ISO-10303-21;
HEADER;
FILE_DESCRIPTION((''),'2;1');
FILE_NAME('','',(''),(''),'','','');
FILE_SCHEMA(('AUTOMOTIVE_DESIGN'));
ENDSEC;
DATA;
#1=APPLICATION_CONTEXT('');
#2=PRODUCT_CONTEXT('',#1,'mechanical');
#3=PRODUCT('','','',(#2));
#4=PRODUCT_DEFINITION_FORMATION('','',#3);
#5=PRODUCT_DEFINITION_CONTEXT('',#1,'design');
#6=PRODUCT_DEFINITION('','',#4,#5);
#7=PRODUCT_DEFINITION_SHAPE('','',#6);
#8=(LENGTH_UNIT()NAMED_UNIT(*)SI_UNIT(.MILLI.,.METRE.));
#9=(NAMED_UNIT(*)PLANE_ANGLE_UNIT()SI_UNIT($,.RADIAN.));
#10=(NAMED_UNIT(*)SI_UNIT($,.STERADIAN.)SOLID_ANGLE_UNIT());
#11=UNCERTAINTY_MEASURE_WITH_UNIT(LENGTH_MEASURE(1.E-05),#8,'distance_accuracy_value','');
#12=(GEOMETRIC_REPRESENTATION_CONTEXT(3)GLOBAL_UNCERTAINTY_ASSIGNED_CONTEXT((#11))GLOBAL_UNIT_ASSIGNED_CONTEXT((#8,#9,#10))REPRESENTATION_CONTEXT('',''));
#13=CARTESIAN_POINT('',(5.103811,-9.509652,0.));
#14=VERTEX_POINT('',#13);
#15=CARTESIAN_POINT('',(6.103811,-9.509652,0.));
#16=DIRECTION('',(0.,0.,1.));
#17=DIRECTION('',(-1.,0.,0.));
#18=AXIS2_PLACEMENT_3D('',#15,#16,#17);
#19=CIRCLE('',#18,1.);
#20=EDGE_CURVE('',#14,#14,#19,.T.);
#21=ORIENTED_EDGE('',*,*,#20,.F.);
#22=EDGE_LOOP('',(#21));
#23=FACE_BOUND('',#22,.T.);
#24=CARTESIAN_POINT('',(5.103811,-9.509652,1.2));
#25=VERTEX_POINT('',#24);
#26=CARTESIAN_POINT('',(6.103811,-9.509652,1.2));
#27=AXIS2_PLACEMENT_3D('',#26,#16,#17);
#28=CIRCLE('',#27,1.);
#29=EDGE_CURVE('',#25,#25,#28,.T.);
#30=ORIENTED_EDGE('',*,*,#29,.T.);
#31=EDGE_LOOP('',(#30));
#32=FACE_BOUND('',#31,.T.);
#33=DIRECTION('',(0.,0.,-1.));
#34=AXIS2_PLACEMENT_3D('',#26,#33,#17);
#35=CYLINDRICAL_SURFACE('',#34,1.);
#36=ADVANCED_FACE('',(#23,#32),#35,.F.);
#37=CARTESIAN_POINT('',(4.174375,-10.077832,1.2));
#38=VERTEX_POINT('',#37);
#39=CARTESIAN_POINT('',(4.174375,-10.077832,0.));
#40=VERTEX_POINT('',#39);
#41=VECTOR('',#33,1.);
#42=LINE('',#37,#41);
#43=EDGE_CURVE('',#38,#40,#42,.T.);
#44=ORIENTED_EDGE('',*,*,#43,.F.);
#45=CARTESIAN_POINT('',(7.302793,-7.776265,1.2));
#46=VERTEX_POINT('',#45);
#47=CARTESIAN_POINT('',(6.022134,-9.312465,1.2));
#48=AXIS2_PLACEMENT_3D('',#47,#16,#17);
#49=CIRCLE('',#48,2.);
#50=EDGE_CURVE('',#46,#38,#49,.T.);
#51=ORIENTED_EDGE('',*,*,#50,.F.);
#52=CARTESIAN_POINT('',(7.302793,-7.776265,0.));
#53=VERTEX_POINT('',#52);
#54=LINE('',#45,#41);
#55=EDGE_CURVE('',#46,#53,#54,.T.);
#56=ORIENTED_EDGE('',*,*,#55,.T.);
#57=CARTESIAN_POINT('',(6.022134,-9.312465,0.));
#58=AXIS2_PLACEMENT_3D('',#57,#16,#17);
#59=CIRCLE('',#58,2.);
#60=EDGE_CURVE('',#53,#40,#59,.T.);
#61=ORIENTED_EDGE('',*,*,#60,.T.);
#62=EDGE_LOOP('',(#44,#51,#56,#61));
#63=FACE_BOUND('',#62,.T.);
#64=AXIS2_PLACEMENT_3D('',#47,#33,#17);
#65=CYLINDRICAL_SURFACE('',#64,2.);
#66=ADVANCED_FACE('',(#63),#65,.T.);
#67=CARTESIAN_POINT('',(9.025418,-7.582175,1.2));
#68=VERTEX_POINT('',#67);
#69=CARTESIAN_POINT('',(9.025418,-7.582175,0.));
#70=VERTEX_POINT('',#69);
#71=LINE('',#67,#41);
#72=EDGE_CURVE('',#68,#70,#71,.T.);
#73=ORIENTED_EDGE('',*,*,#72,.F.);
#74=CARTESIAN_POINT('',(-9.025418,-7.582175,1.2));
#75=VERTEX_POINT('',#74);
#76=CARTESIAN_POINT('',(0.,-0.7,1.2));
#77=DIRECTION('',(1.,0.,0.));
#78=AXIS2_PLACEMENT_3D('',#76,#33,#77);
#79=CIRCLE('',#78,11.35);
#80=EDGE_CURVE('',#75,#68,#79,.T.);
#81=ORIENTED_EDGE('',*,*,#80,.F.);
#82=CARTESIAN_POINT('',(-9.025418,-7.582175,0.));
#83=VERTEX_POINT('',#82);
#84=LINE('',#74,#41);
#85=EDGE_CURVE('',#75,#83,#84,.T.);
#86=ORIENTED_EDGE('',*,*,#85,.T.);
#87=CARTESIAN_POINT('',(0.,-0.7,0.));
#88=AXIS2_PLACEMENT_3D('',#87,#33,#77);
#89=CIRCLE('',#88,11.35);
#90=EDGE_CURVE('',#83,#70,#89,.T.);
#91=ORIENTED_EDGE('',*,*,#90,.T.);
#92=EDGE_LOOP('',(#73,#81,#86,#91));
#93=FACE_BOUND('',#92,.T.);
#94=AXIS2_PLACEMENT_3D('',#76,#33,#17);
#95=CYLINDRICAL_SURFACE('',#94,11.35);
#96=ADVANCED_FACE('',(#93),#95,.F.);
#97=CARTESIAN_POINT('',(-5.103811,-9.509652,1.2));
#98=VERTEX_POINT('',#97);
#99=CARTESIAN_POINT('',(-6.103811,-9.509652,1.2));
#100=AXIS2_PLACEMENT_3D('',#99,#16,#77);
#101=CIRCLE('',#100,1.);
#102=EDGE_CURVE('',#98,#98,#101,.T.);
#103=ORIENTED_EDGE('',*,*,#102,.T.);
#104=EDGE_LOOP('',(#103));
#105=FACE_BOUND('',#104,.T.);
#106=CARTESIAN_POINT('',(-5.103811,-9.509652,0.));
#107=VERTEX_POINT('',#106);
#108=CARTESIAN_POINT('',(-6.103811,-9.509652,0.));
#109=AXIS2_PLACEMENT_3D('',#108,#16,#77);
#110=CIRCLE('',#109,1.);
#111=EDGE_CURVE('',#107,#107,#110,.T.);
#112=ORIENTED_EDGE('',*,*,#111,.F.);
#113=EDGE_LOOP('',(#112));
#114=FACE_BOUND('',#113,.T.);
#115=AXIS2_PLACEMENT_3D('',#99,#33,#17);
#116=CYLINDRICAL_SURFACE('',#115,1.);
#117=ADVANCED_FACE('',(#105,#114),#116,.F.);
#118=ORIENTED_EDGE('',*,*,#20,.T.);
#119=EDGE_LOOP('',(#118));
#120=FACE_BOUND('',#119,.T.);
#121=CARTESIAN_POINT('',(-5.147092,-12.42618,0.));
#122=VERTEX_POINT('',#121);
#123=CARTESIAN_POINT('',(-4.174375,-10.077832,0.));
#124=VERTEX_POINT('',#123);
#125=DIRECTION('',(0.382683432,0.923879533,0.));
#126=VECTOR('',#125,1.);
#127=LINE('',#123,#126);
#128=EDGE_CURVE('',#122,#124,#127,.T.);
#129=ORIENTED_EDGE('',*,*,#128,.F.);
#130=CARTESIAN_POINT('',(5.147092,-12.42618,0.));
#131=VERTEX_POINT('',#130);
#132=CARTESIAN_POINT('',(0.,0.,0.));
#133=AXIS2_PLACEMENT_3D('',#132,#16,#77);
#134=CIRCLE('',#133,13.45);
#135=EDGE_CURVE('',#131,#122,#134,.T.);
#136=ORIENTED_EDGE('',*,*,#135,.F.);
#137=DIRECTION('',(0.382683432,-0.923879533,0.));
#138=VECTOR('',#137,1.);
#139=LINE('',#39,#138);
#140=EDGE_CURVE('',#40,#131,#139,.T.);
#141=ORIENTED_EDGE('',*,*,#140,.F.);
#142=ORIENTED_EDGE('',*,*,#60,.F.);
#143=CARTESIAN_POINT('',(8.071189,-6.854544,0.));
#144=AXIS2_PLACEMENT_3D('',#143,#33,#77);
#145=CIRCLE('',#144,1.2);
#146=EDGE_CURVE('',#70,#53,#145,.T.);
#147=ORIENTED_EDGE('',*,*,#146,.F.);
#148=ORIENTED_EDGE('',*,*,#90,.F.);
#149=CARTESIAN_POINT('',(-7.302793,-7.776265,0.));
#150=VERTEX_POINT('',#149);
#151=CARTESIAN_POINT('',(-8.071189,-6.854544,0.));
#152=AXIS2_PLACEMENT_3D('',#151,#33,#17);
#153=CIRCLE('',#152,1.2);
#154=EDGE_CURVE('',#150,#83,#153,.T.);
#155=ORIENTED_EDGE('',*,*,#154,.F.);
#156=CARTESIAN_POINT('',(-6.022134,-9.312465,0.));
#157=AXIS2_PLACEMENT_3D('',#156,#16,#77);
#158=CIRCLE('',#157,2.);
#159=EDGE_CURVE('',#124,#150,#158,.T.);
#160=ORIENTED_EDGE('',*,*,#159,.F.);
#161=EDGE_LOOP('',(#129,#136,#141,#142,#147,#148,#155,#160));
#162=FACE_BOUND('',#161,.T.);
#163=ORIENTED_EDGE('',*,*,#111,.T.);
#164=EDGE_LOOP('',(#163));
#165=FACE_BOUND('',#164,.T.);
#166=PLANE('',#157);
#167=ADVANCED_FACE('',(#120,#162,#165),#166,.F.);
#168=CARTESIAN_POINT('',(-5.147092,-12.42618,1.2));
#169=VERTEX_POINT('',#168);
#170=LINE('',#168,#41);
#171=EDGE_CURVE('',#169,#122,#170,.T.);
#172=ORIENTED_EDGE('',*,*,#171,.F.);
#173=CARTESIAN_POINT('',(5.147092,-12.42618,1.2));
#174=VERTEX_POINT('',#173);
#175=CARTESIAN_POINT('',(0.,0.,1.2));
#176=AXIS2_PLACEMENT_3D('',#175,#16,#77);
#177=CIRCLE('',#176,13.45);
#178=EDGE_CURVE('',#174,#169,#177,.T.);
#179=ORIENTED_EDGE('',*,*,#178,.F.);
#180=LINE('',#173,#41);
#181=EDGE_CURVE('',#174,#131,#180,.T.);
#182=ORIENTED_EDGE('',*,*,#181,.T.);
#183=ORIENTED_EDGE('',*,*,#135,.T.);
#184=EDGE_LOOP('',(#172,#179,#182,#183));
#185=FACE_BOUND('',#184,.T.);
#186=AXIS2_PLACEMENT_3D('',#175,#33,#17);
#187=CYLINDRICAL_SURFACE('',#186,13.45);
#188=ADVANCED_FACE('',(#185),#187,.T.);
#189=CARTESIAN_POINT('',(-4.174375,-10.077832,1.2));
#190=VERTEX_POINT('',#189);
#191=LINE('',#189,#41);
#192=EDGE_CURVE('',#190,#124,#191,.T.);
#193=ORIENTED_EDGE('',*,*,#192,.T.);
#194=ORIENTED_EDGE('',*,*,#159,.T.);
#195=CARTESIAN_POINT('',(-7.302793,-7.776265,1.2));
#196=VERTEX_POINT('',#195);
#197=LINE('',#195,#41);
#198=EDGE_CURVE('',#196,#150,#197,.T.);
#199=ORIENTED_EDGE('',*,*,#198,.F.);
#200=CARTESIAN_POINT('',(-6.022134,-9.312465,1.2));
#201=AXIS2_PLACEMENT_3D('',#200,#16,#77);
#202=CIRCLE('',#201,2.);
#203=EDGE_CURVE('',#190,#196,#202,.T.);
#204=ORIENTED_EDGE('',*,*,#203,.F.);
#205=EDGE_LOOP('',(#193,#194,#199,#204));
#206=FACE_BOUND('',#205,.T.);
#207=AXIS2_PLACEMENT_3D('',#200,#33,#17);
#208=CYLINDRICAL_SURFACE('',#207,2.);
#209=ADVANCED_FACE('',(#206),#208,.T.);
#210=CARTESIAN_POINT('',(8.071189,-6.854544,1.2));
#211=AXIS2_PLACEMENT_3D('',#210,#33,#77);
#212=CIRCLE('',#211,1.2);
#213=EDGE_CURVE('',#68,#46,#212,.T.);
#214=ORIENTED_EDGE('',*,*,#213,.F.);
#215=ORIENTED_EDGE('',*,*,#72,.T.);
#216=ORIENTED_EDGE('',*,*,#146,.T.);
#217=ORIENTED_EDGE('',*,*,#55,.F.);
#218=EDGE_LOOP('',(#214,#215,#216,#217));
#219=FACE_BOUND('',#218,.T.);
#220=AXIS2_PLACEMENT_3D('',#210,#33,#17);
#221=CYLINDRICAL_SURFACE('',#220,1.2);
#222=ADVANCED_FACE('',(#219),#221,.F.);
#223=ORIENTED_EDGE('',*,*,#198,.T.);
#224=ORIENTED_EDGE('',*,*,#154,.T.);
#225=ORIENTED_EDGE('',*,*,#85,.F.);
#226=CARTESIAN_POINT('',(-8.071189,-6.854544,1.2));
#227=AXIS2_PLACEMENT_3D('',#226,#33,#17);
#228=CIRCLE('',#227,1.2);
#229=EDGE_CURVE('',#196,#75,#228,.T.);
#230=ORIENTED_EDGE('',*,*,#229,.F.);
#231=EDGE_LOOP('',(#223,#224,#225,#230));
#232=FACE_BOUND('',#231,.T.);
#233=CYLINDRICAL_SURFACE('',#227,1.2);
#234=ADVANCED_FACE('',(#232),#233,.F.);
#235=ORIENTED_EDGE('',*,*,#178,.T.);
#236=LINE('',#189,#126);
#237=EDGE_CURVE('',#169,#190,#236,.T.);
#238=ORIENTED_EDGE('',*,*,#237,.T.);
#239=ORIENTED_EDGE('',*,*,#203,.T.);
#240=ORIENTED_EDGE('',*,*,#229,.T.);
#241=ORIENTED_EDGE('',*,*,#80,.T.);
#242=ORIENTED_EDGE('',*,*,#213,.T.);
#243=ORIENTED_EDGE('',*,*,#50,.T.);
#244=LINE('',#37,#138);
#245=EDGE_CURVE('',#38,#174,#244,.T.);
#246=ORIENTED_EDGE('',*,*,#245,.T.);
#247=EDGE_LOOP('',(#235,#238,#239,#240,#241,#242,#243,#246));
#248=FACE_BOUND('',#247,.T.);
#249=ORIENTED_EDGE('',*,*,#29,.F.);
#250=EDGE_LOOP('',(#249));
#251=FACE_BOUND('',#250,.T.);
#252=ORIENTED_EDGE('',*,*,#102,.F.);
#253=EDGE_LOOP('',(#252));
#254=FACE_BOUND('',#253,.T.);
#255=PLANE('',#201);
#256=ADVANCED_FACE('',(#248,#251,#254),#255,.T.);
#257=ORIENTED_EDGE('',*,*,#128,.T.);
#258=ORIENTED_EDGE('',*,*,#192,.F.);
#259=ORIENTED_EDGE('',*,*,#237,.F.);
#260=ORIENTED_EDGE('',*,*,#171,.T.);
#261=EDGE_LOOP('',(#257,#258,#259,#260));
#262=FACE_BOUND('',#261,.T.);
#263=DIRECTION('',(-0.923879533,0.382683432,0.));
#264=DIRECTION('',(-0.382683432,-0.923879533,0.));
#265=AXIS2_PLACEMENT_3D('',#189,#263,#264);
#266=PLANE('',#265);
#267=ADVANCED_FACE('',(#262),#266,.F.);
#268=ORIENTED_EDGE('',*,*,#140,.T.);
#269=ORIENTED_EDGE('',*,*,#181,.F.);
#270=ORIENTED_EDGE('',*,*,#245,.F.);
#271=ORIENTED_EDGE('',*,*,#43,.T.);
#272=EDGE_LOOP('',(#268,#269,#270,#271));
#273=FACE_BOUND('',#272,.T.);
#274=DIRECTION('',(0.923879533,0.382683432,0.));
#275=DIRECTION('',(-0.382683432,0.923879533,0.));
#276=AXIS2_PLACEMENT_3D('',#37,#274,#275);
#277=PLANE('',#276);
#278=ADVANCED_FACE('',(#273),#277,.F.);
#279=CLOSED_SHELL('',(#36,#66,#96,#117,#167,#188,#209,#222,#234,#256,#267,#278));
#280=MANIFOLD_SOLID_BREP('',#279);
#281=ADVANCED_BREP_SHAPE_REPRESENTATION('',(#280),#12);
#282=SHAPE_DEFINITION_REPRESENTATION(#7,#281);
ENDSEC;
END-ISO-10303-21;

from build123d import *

# Parameters (mm, degrees)
SKETCH_1_R        = 1
EXTRUDE_886_DEPTH = 1.2


with BuildPart() as part:
    # 草图1 → Extrude 886 (new body)
    with BuildSketch(Plane.XY):
        with BuildLine():
            Line((-4.17437466, -10.077831919), (-5.147092165, -12.426179712))
            ThreePointArc((-5.147092165, -12.426179712), (0, 13.45), (5.147092165, -12.426179712))
            Line((5.147092165, -12.426179712), (4.17437466, -10.077831919))
            ThreePointArc((4.17437466, -10.077831919), (4.836931805, -7.701472688), (7.302792981, -7.776264589))
            ThreePointArc((7.302792981, -7.776264589), (8.205543329, -8.046999251), (9.02541772, -7.582175163))
            ThreePointArc((9.02541772, -7.582175163), (0, 10.65), (-9.02541772, -7.582175163))
            ThreePointArc((-9.02541772, -7.582175163), (-8.205543329, -8.046999251), (-7.302792981, -7.776264589))
            ThreePointArc((-7.302792981, -7.776264589), (-4.836931805, -7.701472688), (-4.17437466, -10.077831919))
        make_face()
        with Locations((-6.103811358, -9.509652302)):
            Circle(SKETCH_1_R, mode=Mode.SUBTRACT)
        with Locations(Location((6.103811358, -9.509652302, 0), (0, 0, 180))):
            Circle(SKETCH_1_R, mode=Mode.SUBTRACT)
    extrude(amount=EXTRUDE_886_DEPTH)


solid = part.part
